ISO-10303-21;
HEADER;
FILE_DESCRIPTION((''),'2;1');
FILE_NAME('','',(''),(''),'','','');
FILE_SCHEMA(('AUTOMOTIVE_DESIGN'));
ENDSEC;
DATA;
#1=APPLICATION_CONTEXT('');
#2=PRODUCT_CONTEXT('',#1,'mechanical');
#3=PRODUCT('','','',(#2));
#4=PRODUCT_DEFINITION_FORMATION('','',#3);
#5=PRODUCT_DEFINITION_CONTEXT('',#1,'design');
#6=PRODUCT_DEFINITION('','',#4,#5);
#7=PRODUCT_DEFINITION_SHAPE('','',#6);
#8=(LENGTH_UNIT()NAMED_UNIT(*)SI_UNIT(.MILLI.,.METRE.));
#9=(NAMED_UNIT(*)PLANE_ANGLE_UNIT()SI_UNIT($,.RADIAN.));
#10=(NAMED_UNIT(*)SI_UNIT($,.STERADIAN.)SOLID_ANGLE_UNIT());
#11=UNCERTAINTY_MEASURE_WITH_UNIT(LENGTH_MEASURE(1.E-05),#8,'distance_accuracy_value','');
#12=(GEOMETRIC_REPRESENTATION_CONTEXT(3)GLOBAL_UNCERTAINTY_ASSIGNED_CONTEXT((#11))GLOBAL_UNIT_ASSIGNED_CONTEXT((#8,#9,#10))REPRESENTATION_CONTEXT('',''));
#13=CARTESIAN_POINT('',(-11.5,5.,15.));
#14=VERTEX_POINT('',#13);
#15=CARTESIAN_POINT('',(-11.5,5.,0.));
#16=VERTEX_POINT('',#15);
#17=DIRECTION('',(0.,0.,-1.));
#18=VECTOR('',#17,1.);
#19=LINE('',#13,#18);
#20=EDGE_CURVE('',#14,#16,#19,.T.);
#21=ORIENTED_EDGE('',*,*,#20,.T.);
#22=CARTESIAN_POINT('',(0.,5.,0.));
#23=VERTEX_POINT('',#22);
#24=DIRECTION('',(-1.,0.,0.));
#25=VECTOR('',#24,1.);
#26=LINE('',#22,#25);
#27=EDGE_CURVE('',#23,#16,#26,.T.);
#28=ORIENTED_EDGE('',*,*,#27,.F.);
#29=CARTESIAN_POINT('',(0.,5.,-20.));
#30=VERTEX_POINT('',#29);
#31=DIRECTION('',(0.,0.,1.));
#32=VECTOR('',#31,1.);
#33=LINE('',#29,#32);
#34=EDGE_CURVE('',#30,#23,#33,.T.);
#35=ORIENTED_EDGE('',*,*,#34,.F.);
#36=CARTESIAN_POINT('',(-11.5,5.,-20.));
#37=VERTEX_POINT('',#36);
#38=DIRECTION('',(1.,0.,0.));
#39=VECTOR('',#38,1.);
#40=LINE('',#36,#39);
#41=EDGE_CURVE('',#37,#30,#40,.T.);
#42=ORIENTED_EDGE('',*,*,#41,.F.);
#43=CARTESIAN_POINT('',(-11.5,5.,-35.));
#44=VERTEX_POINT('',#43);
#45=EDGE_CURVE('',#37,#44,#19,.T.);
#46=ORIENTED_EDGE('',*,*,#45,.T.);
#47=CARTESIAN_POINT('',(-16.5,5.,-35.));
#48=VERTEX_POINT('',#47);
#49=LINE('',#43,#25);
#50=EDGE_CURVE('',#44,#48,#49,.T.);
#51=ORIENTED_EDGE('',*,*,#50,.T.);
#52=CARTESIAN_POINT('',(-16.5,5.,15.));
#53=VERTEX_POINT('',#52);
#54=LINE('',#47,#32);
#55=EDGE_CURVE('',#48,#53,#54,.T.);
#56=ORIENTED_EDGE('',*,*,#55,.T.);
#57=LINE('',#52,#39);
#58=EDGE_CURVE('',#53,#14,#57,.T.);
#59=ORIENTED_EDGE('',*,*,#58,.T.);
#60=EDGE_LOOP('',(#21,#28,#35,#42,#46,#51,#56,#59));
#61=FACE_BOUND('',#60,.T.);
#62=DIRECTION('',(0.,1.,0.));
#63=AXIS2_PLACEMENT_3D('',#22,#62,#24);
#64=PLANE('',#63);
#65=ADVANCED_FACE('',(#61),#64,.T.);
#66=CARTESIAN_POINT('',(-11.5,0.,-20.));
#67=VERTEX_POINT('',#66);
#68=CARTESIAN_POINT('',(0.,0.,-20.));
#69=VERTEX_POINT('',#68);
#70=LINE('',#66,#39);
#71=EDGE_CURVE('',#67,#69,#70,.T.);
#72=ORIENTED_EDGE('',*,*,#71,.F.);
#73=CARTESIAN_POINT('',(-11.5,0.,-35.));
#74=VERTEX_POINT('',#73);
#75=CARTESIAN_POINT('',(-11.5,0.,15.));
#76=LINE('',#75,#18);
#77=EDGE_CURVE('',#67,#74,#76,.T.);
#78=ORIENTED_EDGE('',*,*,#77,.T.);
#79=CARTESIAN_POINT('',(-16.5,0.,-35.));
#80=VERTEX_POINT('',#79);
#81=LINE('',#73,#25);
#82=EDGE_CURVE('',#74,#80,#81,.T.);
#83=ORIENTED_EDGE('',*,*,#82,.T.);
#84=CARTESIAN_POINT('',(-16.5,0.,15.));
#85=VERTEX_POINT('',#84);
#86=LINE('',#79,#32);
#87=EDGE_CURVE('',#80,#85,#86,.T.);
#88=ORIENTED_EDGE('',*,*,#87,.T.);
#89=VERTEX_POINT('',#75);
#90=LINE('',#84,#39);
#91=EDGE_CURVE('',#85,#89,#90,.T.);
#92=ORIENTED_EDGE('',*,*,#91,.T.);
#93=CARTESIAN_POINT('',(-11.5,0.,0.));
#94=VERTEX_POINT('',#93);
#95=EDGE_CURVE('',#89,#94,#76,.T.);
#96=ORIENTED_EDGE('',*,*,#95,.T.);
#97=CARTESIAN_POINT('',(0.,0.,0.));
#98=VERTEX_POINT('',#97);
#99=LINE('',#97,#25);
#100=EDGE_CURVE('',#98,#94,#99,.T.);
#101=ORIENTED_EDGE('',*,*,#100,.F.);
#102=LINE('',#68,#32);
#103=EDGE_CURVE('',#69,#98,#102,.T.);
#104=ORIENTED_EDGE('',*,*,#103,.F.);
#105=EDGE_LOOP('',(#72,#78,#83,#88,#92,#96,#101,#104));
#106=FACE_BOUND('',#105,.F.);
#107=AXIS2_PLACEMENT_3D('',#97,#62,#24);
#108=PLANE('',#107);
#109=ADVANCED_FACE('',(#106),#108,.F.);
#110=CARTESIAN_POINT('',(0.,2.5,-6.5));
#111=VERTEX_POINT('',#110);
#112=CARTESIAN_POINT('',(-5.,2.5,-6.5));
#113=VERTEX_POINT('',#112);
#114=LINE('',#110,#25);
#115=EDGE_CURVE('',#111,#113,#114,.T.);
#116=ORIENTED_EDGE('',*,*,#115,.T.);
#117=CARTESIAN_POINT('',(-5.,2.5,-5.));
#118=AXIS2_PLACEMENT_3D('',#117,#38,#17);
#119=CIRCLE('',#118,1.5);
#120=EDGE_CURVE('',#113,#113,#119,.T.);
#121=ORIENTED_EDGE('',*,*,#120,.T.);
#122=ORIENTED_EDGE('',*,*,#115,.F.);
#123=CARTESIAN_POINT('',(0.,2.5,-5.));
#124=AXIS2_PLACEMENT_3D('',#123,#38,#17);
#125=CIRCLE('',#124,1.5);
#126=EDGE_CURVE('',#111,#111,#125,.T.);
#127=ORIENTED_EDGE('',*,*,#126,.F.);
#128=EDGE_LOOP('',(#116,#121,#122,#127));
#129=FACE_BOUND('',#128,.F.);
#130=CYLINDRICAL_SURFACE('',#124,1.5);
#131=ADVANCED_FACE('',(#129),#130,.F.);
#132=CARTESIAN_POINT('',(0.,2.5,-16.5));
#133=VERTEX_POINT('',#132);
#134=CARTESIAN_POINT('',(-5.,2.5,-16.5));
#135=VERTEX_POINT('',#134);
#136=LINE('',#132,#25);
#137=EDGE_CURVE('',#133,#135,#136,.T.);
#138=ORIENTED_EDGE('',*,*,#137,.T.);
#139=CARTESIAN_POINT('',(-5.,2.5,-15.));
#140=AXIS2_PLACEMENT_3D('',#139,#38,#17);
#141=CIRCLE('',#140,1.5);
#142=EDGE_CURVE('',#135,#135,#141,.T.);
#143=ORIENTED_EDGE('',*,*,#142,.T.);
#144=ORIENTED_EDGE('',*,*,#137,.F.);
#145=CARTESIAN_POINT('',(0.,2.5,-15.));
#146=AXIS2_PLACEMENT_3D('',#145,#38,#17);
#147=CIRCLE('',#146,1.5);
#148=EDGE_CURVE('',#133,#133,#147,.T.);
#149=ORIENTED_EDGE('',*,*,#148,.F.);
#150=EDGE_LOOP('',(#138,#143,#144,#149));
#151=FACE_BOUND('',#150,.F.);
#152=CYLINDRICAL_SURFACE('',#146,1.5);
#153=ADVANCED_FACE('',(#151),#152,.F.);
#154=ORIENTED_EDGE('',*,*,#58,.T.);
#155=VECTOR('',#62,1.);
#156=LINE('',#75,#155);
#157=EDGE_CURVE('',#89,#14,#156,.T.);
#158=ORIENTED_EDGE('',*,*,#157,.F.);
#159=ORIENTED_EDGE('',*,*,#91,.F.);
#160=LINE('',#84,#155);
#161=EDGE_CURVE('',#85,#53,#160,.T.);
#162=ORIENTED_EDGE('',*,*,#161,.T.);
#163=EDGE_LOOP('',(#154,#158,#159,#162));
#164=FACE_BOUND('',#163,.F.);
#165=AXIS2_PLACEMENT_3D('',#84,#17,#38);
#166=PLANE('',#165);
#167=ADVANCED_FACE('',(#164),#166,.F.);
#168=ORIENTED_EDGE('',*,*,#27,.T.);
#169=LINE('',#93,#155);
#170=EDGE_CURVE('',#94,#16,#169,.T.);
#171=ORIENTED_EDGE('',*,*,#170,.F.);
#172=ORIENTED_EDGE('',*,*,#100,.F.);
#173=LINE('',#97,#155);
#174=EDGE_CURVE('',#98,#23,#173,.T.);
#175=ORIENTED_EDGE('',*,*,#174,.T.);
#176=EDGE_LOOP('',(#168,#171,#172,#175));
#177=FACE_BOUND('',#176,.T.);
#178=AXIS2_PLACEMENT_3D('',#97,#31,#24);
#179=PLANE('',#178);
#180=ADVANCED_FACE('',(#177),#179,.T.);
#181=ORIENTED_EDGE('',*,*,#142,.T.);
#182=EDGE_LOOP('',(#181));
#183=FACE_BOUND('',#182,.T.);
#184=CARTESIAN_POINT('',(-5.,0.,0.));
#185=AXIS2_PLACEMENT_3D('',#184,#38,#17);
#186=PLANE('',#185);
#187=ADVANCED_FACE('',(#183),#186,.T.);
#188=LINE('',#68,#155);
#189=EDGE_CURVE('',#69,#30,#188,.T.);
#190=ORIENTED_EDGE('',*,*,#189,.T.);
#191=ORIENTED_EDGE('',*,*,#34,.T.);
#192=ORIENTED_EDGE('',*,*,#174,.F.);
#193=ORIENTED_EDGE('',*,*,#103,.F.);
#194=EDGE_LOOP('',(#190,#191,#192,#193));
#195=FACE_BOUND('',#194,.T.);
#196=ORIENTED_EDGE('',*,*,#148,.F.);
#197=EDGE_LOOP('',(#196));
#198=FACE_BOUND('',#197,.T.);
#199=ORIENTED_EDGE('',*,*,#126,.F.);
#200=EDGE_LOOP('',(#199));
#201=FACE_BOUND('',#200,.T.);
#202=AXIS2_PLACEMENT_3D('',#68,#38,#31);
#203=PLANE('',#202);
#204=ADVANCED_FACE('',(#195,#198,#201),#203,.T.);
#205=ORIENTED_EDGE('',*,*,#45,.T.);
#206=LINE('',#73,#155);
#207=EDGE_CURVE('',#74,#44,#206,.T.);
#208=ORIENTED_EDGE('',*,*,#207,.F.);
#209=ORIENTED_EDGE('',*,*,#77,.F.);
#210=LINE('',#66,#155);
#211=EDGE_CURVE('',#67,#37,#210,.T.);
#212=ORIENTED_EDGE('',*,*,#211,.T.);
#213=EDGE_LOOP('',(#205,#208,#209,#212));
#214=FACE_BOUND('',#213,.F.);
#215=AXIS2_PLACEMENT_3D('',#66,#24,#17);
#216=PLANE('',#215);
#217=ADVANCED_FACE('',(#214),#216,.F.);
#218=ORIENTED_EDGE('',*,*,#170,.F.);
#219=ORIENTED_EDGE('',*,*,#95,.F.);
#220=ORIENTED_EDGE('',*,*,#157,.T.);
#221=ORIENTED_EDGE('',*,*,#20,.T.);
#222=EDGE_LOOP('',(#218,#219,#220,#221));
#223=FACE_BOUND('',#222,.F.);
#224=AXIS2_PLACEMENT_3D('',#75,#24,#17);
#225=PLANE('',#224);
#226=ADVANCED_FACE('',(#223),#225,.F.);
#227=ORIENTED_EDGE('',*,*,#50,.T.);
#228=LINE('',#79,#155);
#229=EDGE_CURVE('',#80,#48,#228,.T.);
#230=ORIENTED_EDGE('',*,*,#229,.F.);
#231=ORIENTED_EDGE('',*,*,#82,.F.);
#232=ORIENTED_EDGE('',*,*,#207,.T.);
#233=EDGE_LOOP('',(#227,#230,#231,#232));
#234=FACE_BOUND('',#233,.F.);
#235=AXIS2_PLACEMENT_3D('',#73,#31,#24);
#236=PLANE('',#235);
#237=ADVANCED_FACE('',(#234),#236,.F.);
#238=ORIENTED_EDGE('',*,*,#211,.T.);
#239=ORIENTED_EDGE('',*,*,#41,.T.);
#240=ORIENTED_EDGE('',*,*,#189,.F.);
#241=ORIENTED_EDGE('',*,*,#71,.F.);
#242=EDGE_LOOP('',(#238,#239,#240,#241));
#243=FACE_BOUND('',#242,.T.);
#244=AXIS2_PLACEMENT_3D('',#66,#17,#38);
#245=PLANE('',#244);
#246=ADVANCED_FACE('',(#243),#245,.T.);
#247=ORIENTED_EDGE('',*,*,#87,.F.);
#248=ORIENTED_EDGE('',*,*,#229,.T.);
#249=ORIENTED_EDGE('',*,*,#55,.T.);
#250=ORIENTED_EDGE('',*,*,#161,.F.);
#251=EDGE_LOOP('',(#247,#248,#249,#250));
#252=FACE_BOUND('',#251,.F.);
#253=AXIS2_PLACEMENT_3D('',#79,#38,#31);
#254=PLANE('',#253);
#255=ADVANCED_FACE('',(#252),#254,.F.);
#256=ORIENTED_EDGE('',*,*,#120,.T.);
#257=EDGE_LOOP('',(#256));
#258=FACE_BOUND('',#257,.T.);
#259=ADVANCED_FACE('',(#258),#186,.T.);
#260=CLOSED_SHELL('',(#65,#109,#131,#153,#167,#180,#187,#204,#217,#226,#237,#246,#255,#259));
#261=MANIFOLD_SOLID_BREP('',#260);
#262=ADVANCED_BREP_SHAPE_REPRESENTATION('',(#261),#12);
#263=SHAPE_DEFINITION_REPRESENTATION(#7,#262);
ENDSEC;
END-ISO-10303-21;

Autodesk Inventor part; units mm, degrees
ref_plane "YZ Plane" through (0, 0, 0) normal (1, 0, 0) x (0, 1, 0)
ref_plane "XZ Plane" through (0, 0, 0) normal (0, 1, 0) x (-1, 0, 0)
ref_plane "XY Plane" through (0, 0, 0) normal (0, 0, 1) x (1, 0, 0)
sketch "Esquisse1" plane through (0, 0, 0) normal (0, 1, 0) x (-1, 0, 0)
  line L0 (0, 0) -> (11.5, 0)
  line L1 (11.5, 0) -> (11.5, -20)
  line L2 (11.5, -20) -> (0, -20)
  line L3 (0, -20) -> (0, 0)
  line L4 (16.5, 15) -> (11.5, 15)
  line L5 (11.5, 15) -> (11.5, -35)
  line L6 (11.5, -35) -> (16.5, -35)
  line L7 (16.5, -35) -> (16.5, 15)
  point P0 (11.5, -10)
  dimension "d0" = 20
  dimension "d1" = 11.5
  dimension "d2" = 5
  dimension "d3" = 50
extrude "Extrusion1" add sketch "Esquisse1" along normal blind 5
sketch "Esquisse2" plane through (0, 0, 0) normal (1, 0, 0) x (0, 0, -1)
  line L0 (0, 0) -> (20, 0) construction
  line L1 (20, 0) -> (20, 5) construction
  line L2 (0, 5) -> (20, 5) construction
  line L3 (0, 0) -> (0, 5) construction
  line L4 (0, 0) -> (0, 5) construction
  line L5 (0, 2.5) -> (20, 2.5) construction
  circle A0 centre (5, 2.5) radius 1.5
  line L6 (10, 5) -> (10, 0) construction
  circle A1 centre (15, 2.5) radius 1.5
  dimension "d6" = 3
  dimension "d7" = 10
extrude "Extrusion2" cut sketch "Esquisse2" against normal blind 5
properties part number "tap_straight"
